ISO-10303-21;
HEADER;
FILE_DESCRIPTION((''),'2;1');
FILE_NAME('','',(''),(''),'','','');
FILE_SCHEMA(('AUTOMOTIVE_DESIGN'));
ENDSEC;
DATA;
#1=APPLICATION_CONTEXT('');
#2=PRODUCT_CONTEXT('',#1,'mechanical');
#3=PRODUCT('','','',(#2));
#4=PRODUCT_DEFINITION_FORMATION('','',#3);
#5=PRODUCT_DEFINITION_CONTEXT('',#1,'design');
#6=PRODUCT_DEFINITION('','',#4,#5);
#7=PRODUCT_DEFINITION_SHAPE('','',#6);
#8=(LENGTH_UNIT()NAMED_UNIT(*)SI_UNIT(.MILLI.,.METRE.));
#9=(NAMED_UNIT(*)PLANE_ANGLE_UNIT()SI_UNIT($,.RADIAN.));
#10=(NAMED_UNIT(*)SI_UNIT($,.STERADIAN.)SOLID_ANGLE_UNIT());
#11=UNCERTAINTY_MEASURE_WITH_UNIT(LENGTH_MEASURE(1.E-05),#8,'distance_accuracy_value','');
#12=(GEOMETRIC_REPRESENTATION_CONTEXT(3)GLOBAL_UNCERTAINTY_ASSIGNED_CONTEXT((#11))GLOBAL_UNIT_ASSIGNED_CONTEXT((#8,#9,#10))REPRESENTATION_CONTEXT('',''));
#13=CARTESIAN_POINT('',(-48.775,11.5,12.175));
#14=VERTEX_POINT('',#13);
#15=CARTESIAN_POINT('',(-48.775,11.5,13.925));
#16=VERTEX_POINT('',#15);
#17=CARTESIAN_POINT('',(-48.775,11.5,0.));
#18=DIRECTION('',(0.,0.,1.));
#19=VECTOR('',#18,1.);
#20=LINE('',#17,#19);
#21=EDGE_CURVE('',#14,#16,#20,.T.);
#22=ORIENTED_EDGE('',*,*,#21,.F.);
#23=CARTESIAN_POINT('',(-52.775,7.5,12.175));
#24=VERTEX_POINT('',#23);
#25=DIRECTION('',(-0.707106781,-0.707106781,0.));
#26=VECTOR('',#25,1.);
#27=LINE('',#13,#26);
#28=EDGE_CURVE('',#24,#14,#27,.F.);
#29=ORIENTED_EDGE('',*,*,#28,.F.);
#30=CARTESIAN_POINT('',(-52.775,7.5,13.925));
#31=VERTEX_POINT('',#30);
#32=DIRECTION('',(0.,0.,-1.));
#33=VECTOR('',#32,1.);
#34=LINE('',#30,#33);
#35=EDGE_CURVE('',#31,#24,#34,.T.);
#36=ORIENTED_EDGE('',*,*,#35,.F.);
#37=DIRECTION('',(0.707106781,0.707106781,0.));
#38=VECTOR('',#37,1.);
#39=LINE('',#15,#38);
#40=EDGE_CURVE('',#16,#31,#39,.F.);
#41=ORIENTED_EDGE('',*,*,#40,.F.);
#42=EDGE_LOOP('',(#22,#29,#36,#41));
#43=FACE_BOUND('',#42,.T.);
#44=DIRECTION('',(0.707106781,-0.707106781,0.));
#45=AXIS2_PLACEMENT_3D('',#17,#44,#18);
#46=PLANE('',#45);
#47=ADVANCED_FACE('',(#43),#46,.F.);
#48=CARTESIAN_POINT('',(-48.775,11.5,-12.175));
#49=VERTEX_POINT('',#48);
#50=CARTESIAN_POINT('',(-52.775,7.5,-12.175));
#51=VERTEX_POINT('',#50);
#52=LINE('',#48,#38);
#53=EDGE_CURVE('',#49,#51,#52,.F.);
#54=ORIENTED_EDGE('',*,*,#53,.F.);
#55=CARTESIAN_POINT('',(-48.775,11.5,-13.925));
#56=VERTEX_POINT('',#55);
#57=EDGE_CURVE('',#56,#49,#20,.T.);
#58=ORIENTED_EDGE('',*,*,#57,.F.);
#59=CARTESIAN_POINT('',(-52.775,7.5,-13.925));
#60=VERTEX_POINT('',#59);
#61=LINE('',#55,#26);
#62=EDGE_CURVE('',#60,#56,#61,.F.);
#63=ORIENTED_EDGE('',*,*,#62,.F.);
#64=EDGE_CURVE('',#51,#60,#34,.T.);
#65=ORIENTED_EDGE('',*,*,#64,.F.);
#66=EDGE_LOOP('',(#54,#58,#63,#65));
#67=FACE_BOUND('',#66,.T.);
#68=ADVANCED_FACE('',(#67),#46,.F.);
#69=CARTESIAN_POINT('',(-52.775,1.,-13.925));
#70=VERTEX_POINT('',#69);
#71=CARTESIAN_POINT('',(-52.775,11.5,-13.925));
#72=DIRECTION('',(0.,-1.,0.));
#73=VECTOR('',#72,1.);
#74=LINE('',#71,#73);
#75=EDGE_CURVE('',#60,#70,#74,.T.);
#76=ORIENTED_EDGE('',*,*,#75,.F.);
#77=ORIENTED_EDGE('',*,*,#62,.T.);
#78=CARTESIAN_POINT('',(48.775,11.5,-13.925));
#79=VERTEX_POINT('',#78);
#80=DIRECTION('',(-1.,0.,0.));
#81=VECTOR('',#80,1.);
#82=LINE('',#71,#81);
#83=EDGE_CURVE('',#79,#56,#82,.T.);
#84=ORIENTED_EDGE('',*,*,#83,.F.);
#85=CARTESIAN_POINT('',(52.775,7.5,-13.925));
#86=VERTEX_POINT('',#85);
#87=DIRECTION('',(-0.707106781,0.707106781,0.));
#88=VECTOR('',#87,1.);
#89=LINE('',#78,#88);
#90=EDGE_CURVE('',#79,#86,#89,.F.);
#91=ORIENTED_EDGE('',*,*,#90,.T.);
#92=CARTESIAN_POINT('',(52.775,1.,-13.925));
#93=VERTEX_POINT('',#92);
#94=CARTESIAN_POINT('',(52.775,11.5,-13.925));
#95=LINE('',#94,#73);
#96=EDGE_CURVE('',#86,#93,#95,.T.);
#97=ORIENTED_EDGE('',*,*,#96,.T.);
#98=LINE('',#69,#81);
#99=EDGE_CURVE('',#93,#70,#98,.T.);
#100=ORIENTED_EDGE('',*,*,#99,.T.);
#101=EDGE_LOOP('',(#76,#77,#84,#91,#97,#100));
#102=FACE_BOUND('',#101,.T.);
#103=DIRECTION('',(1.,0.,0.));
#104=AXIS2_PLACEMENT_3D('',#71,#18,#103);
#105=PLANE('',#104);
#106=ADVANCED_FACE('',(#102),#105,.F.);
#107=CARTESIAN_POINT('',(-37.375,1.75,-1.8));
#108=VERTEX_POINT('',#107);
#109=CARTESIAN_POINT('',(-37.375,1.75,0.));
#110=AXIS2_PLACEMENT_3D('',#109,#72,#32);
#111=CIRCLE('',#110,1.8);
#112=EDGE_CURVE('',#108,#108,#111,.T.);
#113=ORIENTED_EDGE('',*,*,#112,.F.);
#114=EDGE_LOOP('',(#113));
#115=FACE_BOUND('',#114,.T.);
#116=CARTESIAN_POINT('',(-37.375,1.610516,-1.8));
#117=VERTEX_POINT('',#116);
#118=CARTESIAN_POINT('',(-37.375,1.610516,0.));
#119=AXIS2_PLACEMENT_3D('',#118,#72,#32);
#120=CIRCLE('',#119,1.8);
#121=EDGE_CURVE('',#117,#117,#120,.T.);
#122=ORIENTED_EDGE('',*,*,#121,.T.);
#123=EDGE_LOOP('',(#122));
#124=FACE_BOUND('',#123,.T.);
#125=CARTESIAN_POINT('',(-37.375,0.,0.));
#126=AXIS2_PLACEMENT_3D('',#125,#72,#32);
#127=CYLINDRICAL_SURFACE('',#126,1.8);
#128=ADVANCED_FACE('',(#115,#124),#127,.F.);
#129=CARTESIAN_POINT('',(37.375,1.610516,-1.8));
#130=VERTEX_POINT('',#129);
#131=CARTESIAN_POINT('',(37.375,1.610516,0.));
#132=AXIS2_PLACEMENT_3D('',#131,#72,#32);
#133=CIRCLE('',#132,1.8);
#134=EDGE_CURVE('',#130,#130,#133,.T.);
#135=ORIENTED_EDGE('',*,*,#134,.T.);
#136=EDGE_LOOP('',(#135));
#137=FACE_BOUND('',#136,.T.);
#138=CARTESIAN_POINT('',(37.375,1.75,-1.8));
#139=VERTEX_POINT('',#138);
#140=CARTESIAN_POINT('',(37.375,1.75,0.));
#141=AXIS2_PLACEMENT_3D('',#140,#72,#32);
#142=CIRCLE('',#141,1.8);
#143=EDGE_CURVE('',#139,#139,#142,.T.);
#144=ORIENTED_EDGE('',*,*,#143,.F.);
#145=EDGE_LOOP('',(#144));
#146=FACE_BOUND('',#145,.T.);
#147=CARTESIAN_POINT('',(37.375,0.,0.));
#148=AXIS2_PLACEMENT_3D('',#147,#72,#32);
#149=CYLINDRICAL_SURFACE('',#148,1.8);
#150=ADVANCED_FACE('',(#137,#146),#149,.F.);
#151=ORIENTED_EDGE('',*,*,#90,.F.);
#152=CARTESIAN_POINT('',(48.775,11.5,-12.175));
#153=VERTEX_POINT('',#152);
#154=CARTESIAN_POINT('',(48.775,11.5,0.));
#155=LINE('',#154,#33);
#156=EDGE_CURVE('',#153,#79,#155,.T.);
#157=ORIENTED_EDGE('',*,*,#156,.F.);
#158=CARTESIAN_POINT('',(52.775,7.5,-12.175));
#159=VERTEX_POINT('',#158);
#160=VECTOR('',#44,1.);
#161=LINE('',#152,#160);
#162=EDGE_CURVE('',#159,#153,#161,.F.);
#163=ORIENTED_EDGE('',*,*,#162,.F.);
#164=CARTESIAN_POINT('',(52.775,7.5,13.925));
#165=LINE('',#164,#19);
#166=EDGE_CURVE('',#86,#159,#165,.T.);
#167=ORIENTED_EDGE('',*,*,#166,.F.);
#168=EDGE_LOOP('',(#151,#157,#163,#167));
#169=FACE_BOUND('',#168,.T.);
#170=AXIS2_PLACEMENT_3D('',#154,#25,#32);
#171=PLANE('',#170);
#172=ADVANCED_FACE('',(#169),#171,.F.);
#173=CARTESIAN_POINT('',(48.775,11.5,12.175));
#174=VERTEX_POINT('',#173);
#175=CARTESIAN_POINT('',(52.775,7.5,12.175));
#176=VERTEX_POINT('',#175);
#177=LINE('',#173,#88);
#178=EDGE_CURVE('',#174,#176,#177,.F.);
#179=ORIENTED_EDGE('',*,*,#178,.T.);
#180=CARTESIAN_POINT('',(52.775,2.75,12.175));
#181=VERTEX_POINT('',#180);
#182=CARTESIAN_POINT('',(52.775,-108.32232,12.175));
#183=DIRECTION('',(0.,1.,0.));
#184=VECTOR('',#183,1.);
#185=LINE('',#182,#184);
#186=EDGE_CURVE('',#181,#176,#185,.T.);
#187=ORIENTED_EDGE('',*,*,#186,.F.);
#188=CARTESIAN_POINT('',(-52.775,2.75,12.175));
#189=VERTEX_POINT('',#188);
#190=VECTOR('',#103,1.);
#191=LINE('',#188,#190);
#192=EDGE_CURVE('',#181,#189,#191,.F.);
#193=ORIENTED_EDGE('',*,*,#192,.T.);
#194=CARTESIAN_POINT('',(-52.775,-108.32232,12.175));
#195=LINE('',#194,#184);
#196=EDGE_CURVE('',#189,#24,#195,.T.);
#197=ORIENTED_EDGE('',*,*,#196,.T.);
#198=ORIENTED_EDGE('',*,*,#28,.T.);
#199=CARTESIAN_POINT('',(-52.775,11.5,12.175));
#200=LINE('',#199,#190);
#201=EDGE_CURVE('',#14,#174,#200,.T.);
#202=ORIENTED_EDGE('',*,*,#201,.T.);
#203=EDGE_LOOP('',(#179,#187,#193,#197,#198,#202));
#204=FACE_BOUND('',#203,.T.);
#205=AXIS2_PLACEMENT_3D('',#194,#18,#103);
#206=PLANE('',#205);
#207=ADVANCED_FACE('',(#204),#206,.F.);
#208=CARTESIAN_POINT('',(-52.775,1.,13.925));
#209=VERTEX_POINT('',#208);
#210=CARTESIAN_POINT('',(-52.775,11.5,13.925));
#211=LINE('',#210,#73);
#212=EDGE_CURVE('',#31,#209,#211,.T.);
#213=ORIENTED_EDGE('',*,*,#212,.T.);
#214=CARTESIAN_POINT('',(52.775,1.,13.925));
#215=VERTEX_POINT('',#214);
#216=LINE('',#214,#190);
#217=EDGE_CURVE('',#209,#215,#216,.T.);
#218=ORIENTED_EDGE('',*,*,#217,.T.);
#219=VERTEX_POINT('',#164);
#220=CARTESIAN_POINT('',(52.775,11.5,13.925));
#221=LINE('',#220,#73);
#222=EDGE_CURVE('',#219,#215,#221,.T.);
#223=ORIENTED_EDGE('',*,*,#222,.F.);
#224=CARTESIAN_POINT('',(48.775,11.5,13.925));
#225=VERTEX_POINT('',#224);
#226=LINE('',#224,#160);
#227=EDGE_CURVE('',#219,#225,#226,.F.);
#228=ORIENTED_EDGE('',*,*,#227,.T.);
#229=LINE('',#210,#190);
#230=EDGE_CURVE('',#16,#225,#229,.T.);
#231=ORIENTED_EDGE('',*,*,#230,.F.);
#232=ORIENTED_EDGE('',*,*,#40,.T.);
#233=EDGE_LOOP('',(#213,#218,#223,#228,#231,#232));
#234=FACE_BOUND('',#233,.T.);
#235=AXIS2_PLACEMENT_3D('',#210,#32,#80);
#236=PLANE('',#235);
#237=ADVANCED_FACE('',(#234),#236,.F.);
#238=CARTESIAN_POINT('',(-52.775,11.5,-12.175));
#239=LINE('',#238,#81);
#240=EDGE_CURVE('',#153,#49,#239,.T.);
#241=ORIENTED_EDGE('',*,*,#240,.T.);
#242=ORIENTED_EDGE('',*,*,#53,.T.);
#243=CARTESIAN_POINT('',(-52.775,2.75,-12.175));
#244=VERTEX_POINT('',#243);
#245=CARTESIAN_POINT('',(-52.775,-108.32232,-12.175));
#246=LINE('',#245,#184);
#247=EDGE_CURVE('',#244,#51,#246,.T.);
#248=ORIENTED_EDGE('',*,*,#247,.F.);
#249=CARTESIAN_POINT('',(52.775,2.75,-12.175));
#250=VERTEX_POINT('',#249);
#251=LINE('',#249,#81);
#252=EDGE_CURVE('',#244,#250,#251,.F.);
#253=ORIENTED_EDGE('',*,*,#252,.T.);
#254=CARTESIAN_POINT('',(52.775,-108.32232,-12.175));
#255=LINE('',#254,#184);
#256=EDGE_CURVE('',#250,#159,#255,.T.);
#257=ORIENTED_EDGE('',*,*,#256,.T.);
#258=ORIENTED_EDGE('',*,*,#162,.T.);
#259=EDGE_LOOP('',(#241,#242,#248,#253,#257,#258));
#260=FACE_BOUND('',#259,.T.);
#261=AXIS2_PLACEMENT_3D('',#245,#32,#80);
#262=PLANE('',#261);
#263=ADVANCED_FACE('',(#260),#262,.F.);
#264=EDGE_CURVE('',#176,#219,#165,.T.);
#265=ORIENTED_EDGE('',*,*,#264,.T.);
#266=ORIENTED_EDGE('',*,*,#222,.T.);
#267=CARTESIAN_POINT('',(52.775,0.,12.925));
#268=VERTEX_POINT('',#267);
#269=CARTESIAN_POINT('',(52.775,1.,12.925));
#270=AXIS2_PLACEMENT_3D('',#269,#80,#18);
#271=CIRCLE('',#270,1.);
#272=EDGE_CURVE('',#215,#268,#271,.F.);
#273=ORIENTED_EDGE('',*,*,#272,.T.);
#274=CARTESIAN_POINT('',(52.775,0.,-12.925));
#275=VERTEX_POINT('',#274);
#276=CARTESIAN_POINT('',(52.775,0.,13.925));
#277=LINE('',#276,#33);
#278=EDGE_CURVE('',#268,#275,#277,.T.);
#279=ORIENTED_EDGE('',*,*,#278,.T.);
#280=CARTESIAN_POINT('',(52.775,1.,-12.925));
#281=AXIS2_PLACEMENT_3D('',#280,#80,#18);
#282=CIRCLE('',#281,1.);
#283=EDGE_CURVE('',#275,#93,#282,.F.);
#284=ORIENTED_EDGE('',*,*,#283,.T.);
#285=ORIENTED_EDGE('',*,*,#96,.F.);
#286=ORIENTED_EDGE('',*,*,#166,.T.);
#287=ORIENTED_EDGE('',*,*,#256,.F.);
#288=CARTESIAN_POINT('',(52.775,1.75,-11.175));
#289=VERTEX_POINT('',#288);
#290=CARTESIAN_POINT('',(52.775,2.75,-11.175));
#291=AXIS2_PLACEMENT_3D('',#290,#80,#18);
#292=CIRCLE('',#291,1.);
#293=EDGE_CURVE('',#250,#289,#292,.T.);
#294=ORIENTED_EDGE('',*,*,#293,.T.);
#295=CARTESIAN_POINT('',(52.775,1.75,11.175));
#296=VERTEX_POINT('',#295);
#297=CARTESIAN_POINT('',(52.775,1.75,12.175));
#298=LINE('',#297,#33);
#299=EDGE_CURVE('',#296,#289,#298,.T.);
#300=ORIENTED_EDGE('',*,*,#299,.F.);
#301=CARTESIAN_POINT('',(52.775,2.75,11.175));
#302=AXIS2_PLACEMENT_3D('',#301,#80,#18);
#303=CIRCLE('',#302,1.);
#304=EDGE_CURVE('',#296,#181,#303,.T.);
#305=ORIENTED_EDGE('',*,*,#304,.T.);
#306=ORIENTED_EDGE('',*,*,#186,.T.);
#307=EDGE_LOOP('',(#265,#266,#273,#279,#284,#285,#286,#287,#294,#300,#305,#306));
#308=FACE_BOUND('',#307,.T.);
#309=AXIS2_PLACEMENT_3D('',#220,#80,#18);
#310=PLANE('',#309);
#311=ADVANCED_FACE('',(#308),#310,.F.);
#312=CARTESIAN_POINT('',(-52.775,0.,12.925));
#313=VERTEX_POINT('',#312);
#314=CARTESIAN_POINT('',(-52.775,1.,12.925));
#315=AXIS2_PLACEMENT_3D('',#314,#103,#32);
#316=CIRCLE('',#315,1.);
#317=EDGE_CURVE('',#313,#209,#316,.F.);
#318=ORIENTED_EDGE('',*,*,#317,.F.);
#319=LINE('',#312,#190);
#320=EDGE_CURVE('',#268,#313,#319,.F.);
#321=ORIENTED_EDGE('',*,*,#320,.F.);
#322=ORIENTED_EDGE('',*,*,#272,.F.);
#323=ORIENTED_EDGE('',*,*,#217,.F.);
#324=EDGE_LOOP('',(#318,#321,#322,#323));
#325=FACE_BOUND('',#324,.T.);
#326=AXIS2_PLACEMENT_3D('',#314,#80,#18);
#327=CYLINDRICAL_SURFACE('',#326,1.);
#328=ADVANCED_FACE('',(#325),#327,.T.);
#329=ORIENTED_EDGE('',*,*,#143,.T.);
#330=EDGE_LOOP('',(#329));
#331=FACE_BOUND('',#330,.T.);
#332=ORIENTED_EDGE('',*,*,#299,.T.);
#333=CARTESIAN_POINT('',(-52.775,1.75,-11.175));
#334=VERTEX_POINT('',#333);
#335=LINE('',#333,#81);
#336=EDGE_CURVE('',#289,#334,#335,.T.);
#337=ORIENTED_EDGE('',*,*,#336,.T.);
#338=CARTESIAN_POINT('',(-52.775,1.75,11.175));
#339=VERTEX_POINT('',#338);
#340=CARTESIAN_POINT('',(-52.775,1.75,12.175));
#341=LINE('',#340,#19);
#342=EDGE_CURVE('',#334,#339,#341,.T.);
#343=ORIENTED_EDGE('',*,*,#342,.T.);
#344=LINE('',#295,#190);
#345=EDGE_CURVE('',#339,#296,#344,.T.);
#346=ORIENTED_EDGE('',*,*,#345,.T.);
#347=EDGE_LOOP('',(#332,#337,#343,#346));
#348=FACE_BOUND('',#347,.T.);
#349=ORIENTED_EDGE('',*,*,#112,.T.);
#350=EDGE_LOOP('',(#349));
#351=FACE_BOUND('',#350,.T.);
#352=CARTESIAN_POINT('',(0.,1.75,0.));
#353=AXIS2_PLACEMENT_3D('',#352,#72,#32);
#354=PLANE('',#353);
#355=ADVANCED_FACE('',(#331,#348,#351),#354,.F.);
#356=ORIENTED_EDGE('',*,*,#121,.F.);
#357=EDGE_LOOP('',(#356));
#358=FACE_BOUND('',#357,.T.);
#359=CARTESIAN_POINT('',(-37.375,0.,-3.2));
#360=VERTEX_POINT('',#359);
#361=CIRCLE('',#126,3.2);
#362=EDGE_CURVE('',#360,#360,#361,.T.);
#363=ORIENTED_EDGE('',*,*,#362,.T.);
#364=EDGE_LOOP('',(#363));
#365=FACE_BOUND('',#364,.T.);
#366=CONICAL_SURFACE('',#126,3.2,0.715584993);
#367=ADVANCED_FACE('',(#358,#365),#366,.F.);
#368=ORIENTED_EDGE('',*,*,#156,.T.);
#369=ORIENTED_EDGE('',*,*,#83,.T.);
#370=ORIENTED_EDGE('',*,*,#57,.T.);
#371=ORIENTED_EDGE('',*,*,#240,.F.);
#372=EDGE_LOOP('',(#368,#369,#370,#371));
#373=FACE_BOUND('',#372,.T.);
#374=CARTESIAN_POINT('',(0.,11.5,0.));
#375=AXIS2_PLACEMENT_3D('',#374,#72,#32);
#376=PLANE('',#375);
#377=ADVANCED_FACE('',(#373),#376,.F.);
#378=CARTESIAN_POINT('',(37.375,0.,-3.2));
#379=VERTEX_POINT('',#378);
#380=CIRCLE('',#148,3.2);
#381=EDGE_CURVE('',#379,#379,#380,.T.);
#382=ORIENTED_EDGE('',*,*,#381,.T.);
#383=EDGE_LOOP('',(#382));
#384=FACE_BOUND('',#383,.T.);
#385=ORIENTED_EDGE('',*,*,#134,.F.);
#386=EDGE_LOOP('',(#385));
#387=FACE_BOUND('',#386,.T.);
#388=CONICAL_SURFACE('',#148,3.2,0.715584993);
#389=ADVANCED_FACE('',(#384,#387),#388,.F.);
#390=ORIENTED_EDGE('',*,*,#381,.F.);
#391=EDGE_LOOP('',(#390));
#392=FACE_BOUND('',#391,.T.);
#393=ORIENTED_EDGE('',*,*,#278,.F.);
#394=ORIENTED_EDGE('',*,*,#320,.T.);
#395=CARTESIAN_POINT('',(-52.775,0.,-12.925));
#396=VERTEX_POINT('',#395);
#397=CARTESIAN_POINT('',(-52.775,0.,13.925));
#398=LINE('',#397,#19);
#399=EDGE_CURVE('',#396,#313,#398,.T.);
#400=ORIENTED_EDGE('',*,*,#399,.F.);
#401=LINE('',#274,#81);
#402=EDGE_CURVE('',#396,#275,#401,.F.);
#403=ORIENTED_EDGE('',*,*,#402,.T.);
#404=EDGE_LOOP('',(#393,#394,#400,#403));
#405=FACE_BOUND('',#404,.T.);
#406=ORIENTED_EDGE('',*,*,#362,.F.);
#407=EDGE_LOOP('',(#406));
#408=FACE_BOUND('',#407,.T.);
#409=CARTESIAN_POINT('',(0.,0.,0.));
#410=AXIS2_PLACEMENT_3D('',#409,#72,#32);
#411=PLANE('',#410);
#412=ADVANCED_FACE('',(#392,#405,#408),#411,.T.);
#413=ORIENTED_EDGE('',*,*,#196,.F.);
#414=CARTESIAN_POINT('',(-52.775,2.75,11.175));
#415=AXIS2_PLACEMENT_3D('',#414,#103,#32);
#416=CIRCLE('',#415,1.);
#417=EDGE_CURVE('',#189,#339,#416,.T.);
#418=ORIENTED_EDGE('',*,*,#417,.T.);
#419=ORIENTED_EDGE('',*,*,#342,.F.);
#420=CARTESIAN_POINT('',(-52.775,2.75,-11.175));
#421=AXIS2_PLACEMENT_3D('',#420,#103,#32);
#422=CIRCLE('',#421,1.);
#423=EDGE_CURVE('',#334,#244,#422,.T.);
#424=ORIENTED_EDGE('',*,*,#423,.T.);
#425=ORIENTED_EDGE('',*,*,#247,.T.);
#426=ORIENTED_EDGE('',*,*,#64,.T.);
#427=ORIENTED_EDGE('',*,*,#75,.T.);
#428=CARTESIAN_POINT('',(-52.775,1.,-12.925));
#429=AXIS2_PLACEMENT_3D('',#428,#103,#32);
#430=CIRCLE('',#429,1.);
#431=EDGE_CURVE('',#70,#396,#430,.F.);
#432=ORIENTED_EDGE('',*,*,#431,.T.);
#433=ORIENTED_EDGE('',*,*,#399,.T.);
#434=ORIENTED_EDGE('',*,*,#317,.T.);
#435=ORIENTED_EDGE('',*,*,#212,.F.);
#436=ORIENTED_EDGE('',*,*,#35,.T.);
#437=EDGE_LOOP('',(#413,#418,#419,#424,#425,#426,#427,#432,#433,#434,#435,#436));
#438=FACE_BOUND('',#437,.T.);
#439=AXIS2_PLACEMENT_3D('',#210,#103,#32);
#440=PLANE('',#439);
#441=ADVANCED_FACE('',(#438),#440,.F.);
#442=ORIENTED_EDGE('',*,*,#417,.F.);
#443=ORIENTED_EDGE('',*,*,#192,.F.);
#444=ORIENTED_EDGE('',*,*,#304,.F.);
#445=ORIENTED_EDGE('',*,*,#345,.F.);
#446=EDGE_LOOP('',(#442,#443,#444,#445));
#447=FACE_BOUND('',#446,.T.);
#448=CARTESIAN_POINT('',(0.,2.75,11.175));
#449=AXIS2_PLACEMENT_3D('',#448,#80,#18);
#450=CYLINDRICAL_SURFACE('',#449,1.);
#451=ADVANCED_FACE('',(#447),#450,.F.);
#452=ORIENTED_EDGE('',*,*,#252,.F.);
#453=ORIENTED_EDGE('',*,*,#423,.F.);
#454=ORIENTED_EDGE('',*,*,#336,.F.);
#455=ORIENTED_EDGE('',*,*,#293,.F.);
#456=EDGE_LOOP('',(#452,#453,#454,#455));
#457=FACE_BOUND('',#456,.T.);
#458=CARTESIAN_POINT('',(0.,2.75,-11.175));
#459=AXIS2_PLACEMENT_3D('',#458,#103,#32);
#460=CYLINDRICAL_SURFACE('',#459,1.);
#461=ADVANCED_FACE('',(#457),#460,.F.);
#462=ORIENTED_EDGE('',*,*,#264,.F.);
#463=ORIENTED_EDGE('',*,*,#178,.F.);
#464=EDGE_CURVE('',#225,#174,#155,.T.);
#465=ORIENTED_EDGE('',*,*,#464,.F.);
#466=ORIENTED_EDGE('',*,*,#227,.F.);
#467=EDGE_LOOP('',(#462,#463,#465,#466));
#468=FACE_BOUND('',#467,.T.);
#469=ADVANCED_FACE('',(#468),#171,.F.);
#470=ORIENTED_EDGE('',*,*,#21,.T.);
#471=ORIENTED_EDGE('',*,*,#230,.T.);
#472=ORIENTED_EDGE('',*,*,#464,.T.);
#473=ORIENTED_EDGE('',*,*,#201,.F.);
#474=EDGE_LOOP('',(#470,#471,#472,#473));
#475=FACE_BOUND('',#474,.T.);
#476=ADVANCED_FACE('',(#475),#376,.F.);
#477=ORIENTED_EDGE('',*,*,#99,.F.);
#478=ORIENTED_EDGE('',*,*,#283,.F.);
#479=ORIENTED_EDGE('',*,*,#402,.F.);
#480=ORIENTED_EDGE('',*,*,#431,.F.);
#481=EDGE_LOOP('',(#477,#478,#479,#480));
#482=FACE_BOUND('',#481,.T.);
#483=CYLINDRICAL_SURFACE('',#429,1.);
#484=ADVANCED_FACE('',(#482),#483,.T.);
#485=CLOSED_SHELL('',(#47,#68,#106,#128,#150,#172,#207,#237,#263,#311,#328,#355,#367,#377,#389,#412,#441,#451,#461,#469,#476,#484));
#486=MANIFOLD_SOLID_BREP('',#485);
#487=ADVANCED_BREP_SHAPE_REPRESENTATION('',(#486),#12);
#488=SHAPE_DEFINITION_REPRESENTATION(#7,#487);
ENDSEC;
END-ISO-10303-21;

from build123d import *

# Parameters (mm, degrees)
SKETCH1_W           = 105.55
SKETCH1_H           = 27.85
BOSS_EXTRUDE1_DEPTH = 11.5
SKETCH2_W           = 105.55
SKETCH2_H           = 24.35
CUT_EXTRUDE1_DEPTH  = 9.75
CHAMFER1_SIZE       = 4
FILLET1_R           = 1
HOLE1_D             = 3.6
HOLE1_CSINK_D       = 6.4
HOLE1_CSINK_ANGLE   = 82


with BuildPart() as part:
    # Sketch1 → Boss-Extrude1 (new body)
    with BuildSketch(Plane(origin=(0, 0, 0), x_dir=(1, 0, 0), z_dir=(0, 1, 0))):
        Rectangle(SKETCH1_W, SKETCH1_H)
    extrude(amount=BOSS_EXTRUDE1_DEPTH)

    # Sketch2 → Cut-Extrude1 (cut)
    with BuildSketch(Plane(origin=(0, 11.5, 0), x_dir=(1, 0, 0), z_dir=(0, 1, 0))):
        Rectangle(SKETCH2_W, SKETCH2_H)
    extrude(amount=-CUT_EXTRUDE1_DEPTH, mode=Mode.SUBTRACT)

    # Chamfer1
    chamfer1_edges = [part.edges().sort_by_distance(p)[0] for p in [
        (-52.775, 11.5, -13.05),
        (52.775, 11.5, -13.05),
        (-52.775, 11.5, 13.05),
        (52.775, 11.5, 13.05),
    ]]
    chamfer(chamfer1_edges, length=CHAMFER1_SIZE)

    # Fillet1
    fillet1_edges = [part.edges().sort_by_distance(p)[0] for p in [
        (0, 1.75, -12.175),
        (0, 1.75, 12.175),
        (0, 0, 13.925),
        (0, 0, -13.925),
    ]]
    fillet(fillet1_edges, radius=FILLET1_R)

    # Hole1 (through all)
    with Locations(Plane(origin=(-37.375, 0, 0), x_dir=(0, 0, -1), z_dir=(0, -1, 0))):
        with Locations((0, 0), (0, 74.75)):
            CounterSinkHole(HOLE1_D / 2, HOLE1_CSINK_D / 2, counter_sink_angle=HOLE1_CSINK_ANGLE)


solid = part.part
